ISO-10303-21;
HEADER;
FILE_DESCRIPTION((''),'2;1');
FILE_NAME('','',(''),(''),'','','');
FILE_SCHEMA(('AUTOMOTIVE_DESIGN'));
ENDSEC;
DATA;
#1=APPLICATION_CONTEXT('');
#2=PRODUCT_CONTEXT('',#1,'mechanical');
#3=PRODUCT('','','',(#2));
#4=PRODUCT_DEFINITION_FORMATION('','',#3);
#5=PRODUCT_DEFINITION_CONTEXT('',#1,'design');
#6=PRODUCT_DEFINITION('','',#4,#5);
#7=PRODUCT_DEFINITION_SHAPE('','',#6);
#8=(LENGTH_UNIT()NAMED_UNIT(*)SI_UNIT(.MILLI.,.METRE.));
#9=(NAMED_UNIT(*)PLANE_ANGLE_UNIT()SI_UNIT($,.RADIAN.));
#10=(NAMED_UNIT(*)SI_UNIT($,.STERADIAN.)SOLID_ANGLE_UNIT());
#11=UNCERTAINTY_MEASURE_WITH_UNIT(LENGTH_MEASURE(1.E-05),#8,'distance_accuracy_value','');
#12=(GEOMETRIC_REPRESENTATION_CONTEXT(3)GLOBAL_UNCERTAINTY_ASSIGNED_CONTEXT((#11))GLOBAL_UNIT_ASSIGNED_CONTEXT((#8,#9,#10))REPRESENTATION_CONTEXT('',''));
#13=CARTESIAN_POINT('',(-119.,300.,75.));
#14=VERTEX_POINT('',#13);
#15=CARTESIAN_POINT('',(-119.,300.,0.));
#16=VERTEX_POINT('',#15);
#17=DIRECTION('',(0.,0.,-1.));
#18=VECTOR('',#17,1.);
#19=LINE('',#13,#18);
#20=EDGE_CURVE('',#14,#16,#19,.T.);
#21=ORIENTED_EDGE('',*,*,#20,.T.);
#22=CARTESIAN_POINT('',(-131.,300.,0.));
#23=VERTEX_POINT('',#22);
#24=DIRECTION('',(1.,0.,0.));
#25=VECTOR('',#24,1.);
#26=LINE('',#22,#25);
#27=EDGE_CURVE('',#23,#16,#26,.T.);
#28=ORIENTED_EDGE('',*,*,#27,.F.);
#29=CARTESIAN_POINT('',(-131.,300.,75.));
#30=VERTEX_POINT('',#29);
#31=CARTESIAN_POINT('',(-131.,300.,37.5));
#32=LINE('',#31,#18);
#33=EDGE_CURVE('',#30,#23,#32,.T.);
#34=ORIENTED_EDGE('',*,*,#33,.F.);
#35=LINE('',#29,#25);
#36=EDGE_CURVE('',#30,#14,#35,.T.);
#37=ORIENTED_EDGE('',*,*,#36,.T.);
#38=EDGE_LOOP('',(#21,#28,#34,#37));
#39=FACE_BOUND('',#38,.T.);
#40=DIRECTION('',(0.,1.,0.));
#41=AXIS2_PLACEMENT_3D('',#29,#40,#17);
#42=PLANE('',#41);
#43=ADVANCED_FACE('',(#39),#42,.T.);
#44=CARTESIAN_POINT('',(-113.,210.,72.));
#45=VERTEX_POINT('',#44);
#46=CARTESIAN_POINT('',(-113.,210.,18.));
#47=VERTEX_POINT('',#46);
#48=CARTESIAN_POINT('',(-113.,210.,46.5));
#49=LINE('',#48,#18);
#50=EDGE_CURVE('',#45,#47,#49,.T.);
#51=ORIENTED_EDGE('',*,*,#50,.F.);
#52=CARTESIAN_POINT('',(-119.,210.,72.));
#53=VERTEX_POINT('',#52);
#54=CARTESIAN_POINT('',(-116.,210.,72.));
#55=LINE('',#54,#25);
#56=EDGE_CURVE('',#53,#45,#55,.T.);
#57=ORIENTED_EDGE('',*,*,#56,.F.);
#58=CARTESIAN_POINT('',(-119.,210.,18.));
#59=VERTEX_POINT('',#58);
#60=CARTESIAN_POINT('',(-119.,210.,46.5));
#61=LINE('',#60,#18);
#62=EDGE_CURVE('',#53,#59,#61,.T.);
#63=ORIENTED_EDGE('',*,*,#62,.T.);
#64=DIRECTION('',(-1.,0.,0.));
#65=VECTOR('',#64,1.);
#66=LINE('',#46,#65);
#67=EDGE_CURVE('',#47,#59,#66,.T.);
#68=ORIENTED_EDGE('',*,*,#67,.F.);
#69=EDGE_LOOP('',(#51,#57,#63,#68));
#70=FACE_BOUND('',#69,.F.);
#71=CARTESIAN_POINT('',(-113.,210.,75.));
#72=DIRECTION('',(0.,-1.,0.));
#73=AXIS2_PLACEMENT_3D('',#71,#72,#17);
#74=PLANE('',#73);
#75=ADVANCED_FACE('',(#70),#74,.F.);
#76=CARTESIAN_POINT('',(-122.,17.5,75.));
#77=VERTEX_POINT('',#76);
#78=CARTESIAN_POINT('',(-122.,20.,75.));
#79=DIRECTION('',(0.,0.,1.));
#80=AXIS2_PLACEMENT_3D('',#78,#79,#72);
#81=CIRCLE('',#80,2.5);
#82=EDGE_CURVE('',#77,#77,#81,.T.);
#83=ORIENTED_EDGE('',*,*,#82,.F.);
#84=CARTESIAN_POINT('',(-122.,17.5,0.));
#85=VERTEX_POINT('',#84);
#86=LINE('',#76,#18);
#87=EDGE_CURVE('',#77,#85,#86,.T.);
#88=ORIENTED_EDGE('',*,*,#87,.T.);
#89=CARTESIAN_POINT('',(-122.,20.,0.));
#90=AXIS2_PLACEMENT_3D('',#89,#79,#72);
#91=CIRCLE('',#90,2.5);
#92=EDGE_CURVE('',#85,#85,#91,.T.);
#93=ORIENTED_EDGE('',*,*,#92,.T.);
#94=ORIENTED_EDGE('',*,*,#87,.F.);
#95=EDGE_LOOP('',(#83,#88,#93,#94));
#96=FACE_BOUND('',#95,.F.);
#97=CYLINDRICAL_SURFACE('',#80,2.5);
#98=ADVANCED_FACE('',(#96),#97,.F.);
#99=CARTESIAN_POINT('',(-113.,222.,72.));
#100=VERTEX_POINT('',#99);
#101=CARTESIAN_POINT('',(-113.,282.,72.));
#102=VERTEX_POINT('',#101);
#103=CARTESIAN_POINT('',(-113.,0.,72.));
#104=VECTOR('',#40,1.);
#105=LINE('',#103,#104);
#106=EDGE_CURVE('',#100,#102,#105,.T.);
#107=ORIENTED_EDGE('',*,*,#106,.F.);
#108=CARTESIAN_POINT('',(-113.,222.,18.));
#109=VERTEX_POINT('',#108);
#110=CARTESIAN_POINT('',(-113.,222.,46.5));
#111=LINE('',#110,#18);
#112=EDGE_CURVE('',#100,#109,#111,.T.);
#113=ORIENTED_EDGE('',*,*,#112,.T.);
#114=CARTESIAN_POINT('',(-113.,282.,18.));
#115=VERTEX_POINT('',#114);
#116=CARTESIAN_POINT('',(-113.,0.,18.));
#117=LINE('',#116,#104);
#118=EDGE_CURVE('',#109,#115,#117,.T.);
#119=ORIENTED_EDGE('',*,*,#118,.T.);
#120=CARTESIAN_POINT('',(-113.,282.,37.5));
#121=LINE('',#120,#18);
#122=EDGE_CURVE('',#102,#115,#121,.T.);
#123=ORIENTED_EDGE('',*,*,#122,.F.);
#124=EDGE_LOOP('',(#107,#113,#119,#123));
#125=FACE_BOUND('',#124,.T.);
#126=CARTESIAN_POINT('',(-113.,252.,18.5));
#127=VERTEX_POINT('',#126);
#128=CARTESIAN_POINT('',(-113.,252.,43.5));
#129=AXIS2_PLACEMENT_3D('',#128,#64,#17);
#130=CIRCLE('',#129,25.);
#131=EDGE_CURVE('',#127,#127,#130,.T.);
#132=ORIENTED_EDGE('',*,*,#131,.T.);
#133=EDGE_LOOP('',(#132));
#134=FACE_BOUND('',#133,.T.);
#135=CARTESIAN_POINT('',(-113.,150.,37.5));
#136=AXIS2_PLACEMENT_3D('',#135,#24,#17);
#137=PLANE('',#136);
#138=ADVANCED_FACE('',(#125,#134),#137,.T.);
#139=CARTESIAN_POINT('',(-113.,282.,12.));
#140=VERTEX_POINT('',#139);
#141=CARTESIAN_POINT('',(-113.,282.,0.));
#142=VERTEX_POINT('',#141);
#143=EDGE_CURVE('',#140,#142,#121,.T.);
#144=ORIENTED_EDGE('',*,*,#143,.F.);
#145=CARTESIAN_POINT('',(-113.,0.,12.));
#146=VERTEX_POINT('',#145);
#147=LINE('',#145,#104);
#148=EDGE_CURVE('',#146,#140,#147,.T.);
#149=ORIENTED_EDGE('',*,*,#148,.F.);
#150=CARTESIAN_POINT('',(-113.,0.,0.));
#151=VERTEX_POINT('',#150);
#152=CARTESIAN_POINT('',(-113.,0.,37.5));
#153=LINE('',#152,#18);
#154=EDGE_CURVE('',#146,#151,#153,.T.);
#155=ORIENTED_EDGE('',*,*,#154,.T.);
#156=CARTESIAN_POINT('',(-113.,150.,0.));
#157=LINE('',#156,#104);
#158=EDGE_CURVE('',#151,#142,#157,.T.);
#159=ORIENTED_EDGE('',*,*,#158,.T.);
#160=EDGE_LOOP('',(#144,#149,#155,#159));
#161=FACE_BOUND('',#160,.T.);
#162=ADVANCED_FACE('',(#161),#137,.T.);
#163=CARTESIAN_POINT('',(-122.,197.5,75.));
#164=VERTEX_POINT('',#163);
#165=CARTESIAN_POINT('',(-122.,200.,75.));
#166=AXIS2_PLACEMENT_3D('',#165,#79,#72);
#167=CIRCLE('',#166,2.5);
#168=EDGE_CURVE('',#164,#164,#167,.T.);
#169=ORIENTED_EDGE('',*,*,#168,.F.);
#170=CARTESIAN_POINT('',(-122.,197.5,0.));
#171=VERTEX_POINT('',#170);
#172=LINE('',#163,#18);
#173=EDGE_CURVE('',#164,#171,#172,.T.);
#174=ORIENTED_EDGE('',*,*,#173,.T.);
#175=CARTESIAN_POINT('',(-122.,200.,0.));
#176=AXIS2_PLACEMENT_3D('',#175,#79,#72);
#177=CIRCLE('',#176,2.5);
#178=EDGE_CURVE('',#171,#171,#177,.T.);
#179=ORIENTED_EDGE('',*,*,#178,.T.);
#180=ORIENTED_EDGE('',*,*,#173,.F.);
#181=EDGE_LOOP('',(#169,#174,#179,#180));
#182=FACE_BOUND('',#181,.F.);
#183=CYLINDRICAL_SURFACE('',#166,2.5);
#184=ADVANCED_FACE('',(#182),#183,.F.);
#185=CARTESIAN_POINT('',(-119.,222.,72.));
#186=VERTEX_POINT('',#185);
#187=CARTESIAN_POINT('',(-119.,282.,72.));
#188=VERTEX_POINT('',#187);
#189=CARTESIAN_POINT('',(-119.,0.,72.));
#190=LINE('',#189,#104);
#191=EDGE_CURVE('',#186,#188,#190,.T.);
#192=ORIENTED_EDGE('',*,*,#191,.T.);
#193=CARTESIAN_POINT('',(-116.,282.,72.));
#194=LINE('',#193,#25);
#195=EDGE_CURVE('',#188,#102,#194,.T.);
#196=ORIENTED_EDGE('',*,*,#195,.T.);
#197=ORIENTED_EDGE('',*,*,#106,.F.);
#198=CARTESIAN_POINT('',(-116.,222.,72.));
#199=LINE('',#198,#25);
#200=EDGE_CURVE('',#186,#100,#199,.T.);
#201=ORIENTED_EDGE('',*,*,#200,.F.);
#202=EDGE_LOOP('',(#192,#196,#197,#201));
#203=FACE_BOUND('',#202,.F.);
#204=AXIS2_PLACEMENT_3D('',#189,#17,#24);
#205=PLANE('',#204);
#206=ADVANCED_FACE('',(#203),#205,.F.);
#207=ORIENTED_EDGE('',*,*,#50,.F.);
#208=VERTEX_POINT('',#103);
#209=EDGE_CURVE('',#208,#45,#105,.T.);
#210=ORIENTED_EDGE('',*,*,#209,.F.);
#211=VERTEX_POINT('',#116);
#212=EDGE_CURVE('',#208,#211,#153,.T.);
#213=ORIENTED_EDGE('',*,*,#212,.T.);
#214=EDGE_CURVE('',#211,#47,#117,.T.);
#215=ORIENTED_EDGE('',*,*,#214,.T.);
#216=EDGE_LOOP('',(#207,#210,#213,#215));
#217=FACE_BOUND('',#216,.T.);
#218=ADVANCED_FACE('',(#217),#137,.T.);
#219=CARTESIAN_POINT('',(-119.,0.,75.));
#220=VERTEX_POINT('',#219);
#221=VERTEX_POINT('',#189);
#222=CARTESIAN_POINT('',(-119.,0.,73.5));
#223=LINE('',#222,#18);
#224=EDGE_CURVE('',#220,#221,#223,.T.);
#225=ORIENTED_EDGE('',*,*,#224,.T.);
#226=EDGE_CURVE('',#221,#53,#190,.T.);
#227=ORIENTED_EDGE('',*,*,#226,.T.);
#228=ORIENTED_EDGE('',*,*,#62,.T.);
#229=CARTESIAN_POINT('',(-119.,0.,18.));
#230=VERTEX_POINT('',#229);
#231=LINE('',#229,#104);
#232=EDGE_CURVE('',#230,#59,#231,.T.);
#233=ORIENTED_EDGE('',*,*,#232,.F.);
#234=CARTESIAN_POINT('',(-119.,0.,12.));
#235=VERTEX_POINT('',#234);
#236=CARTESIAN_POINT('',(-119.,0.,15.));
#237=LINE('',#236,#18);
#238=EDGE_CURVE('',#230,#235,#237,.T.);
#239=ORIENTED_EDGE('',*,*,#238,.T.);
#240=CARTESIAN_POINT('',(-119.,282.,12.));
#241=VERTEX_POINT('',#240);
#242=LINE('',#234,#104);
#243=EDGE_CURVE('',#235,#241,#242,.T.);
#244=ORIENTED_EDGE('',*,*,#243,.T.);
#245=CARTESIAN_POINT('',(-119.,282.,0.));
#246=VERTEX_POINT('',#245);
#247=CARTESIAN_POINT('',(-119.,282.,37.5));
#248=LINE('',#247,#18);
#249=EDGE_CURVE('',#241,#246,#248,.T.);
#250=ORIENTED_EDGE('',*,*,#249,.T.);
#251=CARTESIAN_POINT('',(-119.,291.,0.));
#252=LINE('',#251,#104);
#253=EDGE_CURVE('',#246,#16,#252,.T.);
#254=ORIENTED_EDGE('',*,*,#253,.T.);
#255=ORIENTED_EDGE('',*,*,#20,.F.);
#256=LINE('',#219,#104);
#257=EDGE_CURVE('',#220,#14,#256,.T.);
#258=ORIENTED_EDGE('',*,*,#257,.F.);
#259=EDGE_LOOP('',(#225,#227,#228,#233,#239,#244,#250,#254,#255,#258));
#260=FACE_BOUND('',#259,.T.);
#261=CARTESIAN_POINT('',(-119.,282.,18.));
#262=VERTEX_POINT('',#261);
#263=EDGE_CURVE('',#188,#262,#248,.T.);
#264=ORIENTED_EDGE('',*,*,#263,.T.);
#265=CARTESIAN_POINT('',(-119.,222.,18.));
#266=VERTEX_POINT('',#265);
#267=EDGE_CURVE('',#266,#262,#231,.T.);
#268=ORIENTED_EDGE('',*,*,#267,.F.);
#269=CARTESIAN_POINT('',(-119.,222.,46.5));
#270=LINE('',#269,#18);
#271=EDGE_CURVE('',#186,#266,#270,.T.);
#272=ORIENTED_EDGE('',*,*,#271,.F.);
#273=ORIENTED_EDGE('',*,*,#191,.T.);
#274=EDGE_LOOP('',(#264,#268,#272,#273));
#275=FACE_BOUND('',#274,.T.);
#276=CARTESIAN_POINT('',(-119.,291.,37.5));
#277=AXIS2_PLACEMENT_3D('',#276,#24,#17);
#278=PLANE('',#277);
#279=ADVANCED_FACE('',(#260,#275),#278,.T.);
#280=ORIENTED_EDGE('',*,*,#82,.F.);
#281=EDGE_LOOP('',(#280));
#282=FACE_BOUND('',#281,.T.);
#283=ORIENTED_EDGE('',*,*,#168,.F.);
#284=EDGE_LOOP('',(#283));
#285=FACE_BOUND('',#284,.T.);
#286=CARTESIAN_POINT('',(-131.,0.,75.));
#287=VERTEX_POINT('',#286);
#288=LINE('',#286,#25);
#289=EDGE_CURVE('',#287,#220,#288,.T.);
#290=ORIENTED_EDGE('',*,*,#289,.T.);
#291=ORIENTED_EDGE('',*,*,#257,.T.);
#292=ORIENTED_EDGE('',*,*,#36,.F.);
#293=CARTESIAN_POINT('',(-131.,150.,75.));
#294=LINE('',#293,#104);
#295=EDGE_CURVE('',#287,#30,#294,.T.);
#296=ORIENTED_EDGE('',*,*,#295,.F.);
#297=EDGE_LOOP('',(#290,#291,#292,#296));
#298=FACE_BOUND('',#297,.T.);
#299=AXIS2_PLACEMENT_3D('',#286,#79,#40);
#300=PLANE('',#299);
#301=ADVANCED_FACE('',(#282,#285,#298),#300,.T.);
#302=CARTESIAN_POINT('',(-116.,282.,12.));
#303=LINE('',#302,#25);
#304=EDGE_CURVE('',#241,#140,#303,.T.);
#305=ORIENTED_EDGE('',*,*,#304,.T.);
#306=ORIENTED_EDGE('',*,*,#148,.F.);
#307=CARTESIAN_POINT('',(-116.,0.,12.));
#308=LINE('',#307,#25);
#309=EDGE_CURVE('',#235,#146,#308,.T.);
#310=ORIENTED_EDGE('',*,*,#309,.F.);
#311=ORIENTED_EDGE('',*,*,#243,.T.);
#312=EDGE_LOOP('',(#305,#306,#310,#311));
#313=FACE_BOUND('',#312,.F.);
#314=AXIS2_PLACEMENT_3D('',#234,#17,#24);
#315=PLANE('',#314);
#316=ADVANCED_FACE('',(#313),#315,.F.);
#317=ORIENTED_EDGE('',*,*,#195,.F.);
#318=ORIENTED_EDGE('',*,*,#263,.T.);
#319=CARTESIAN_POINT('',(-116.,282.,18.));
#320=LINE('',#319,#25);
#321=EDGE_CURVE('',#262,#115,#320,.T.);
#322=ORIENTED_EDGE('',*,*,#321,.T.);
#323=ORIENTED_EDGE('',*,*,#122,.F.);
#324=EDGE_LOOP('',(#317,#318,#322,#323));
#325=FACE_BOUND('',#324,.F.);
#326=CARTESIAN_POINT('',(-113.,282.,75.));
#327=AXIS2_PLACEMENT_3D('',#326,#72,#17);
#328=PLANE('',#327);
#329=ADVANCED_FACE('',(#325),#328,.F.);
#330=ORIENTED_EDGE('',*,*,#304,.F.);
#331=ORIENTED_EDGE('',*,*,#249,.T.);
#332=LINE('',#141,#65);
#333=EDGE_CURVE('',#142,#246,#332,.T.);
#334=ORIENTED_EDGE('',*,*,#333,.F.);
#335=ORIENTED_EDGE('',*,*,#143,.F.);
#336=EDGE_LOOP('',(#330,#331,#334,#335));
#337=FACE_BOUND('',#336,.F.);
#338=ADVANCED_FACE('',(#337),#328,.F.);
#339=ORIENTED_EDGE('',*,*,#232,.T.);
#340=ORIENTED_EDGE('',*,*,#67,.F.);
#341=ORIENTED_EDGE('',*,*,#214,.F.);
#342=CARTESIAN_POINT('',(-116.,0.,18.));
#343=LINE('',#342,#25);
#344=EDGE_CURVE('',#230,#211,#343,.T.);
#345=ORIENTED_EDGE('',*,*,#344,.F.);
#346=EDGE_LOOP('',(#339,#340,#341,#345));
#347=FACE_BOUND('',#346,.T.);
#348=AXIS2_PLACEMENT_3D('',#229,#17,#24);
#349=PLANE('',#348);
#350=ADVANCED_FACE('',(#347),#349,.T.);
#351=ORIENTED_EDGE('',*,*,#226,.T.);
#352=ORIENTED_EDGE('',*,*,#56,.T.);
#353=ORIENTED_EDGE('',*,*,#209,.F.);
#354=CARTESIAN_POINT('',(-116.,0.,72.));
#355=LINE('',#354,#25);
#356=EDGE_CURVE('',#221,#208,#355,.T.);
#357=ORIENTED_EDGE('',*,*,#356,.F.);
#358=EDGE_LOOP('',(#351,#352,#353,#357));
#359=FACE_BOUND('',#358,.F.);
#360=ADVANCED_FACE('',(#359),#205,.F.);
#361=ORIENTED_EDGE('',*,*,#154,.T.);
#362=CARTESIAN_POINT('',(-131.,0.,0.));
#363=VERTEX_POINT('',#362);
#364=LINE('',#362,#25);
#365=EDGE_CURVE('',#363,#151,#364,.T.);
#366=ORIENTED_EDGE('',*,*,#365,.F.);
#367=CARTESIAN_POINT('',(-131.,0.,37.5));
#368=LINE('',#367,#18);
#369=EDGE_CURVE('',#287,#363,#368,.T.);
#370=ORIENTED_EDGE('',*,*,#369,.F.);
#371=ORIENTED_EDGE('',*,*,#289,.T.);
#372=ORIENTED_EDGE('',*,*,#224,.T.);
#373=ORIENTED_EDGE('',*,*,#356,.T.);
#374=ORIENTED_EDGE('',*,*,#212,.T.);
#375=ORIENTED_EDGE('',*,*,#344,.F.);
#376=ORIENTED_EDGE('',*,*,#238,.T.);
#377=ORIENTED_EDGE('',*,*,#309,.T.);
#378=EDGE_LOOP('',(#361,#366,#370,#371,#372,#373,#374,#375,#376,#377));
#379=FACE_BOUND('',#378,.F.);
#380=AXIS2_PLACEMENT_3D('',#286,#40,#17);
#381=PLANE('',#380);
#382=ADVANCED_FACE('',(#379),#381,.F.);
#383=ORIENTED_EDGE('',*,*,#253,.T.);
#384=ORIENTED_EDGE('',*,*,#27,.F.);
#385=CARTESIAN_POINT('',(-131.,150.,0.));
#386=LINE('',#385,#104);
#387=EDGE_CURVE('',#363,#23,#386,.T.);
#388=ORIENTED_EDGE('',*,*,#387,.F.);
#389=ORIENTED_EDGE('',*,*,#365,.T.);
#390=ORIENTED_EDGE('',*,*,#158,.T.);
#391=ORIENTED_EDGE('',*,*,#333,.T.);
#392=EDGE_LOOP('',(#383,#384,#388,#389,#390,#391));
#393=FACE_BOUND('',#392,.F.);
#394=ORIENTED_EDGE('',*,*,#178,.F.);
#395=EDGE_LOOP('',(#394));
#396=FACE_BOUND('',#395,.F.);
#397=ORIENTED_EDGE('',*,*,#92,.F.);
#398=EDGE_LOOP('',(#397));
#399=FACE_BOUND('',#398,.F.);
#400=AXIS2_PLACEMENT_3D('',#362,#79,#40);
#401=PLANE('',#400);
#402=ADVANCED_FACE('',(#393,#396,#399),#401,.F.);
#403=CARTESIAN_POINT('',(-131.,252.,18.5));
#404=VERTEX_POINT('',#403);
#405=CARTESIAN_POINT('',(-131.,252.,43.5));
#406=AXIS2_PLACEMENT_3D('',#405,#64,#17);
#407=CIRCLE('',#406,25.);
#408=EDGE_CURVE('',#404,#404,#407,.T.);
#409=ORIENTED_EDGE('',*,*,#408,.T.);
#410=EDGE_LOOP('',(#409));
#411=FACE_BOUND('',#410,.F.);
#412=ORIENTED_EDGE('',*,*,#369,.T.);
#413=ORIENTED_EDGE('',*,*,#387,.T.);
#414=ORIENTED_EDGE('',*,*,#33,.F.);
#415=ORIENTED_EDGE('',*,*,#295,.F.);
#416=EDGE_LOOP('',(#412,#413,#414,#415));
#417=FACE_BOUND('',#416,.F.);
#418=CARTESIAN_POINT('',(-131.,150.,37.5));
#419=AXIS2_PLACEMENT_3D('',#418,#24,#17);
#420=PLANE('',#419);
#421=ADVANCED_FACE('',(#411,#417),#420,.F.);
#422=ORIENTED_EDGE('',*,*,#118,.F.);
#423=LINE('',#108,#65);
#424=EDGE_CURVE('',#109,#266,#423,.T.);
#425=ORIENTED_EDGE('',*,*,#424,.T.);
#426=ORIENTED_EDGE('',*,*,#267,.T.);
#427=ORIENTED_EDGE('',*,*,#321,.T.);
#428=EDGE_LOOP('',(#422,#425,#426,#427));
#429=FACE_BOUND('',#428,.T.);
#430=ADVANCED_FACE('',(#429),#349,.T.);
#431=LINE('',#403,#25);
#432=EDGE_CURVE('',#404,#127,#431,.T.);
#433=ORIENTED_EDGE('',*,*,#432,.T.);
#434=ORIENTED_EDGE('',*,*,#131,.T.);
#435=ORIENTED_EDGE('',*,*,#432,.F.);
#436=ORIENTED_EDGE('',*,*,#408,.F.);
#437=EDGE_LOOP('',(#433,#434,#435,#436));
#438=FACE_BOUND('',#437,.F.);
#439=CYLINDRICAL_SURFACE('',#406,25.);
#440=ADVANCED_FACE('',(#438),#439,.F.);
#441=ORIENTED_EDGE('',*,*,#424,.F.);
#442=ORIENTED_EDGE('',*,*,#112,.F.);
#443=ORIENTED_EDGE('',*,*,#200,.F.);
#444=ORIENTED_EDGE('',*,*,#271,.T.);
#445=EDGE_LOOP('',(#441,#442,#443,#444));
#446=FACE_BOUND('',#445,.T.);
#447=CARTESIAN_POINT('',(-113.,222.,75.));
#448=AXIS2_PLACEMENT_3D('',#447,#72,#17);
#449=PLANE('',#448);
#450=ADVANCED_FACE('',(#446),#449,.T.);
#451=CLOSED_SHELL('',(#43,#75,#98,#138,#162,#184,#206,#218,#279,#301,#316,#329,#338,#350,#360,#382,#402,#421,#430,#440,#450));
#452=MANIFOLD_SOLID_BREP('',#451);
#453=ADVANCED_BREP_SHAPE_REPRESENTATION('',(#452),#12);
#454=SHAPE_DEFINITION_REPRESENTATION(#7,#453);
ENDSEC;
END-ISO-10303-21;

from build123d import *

# Parameters (mm, degrees)
SKETCH021_W             = 75
SKETCH021_H             = 300
PAD007_DEPTH            = 18
SKETCH023_W             = 75
SKETCH023_H             = 18
SKETCH023_W_2           = 57
SKETCH023_H_2           = 12
POCKET014_DEPTH         = 6
SKETCH022_W             = 6
SKETCH022_H             = 6
SKETCH022_W_2           = 3
POCKET015_DEPTH         = 300
SKETCH024_R             = 25
POCKET016_DEPTH         = 18
SKETCH031_R             = 2.5
POCKET020_DEPTH         = 75
BODY008_PLACEMENT_ANGLE = 90


with BuildPart() as part:
    # Sketch021 → Pad007 (new body)
    with BuildSketch(Plane.XY):
        with Locations((-37.5, 150)):
            Rectangle(SKETCH021_W, SKETCH021_H)
    extrude(amount=PAD007_DEPTH)

    # Sketch023 → Pocket014 (cut)
    with BuildSketch(Plane.XY.offset(18)):
        with Locations((-37.5, 291)):
            Rectangle(SKETCH023_W, SKETCH023_H)
        with Locations((-46.5, 216)):
            Rectangle(SKETCH023_W_2, SKETCH023_H_2)
    extrude(amount=-POCKET014_DEPTH, mode=Mode.SUBTRACT)

    # Sketch022 → Pocket015 (cut)
    with BuildSketch(Plane.XZ):
        with Locations((-15, 15)):
            Rectangle(SKETCH022_W, SKETCH022_H)
        with Locations((-73.5, 15)):
            Rectangle(SKETCH022_W_2, SKETCH022_H)
    extrude(amount=-POCKET015_DEPTH, mode=Mode.SUBTRACT)

    # Sketch024 → Pocket016 (cut)
    with BuildSketch(Plane(origin=(0, 0, 0), x_dir=(1, 0, 0), z_dir=(0, 0, -1))):
        with Locations((-43.5, -252)):
            Circle(SKETCH024_R)
    extrude(amount=-POCKET016_DEPTH, mode=Mode.SUBTRACT)

    # Sketch031 → Pocket020 (cut)
    with BuildSketch(Plane(origin=(-75, 0, 0), x_dir=(0, -1, 0), z_dir=(-1, 0, 0))):
        with Locations((-20, 9)):
            Circle(SKETCH031_R)
        with Locations((-200, 9)):
            Circle(SKETCH031_R)
    extrude(amount=-POCKET020_DEPTH, mode=Mode.SUBTRACT)


with BuildPart() as part_1:
    # Body008 placement: moved
    add(part.part.moved(Location((-131, 0, 0))).rotate(Axis((-131, 0, 0), (0, 1, 0)), BODY008_PLACEMENT_ANGLE))


solid = part_1.part
